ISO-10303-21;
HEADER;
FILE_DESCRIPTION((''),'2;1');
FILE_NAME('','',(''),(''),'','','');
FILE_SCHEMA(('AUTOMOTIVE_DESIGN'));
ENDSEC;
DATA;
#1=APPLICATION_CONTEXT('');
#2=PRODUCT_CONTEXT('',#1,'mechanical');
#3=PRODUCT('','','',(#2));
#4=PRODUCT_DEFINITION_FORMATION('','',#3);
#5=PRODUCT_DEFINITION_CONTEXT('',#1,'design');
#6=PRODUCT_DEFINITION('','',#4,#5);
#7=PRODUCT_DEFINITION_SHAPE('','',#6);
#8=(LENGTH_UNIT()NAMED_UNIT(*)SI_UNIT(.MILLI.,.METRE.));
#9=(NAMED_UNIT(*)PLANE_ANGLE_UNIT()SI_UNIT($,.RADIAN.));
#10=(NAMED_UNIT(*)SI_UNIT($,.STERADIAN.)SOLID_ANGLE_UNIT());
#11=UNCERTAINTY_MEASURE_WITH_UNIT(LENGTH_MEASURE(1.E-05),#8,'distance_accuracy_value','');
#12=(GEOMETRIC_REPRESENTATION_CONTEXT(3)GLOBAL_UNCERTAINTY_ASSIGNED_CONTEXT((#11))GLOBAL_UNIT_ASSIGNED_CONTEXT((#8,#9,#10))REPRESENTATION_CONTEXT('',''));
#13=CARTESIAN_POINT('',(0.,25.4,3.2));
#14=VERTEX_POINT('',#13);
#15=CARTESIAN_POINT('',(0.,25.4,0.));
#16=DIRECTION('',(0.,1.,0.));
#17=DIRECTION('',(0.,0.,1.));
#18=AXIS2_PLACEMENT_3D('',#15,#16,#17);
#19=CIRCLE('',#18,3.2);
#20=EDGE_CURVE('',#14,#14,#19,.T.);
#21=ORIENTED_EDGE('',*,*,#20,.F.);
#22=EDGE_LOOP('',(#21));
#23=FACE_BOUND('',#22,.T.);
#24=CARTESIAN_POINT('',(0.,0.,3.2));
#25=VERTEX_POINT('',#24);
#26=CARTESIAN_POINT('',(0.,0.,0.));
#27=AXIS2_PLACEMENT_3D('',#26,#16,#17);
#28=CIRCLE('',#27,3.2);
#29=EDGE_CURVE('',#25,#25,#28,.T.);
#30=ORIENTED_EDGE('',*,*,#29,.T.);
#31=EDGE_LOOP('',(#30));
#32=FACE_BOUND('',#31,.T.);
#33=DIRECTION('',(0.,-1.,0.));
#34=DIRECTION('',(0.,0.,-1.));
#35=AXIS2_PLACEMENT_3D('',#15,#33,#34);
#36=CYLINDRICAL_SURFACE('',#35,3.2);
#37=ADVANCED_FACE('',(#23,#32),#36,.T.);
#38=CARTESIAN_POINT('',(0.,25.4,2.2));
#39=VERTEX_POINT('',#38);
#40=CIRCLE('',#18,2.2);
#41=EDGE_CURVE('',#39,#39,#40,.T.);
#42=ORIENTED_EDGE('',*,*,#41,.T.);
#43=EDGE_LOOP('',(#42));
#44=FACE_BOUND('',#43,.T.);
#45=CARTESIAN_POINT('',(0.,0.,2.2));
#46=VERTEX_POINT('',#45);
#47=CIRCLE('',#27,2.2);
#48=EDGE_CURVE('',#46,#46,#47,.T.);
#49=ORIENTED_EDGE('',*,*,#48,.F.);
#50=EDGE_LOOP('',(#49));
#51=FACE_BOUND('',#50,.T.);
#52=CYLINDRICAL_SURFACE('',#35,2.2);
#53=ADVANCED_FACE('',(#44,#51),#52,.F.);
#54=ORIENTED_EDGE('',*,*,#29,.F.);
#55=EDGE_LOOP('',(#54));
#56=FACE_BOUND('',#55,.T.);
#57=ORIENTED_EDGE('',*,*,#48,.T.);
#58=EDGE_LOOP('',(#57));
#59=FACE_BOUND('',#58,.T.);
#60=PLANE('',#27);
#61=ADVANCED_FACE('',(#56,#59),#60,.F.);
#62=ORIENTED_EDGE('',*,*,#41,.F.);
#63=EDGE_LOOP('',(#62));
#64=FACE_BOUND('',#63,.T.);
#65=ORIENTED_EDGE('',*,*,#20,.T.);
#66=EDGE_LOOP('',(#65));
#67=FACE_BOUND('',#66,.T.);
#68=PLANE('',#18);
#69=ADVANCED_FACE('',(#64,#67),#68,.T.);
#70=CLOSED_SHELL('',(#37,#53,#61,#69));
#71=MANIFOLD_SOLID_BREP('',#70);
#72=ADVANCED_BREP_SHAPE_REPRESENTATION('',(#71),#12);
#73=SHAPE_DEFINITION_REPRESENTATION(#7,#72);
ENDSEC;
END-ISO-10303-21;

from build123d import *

# Parameters (mm, degrees)
SKETCH1_R           = 3.2
SKETCH1_R_2         = 2.2
BOSS_EXTRUDE1_DEPTH = 25.4


with BuildPart() as part:
    # Sketch1 → Boss-Extrude1 (new body)
    with BuildSketch(Plane(origin=(0, 0, 0), x_dir=(1, 0, 0), z_dir=(0, 1, 0))):
        Circle(SKETCH1_R)
        Circle(SKETCH1_R_2, mode=Mode.SUBTRACT)
    extrude(amount=BOSS_EXTRUDE1_DEPTH)


solid = part.part
